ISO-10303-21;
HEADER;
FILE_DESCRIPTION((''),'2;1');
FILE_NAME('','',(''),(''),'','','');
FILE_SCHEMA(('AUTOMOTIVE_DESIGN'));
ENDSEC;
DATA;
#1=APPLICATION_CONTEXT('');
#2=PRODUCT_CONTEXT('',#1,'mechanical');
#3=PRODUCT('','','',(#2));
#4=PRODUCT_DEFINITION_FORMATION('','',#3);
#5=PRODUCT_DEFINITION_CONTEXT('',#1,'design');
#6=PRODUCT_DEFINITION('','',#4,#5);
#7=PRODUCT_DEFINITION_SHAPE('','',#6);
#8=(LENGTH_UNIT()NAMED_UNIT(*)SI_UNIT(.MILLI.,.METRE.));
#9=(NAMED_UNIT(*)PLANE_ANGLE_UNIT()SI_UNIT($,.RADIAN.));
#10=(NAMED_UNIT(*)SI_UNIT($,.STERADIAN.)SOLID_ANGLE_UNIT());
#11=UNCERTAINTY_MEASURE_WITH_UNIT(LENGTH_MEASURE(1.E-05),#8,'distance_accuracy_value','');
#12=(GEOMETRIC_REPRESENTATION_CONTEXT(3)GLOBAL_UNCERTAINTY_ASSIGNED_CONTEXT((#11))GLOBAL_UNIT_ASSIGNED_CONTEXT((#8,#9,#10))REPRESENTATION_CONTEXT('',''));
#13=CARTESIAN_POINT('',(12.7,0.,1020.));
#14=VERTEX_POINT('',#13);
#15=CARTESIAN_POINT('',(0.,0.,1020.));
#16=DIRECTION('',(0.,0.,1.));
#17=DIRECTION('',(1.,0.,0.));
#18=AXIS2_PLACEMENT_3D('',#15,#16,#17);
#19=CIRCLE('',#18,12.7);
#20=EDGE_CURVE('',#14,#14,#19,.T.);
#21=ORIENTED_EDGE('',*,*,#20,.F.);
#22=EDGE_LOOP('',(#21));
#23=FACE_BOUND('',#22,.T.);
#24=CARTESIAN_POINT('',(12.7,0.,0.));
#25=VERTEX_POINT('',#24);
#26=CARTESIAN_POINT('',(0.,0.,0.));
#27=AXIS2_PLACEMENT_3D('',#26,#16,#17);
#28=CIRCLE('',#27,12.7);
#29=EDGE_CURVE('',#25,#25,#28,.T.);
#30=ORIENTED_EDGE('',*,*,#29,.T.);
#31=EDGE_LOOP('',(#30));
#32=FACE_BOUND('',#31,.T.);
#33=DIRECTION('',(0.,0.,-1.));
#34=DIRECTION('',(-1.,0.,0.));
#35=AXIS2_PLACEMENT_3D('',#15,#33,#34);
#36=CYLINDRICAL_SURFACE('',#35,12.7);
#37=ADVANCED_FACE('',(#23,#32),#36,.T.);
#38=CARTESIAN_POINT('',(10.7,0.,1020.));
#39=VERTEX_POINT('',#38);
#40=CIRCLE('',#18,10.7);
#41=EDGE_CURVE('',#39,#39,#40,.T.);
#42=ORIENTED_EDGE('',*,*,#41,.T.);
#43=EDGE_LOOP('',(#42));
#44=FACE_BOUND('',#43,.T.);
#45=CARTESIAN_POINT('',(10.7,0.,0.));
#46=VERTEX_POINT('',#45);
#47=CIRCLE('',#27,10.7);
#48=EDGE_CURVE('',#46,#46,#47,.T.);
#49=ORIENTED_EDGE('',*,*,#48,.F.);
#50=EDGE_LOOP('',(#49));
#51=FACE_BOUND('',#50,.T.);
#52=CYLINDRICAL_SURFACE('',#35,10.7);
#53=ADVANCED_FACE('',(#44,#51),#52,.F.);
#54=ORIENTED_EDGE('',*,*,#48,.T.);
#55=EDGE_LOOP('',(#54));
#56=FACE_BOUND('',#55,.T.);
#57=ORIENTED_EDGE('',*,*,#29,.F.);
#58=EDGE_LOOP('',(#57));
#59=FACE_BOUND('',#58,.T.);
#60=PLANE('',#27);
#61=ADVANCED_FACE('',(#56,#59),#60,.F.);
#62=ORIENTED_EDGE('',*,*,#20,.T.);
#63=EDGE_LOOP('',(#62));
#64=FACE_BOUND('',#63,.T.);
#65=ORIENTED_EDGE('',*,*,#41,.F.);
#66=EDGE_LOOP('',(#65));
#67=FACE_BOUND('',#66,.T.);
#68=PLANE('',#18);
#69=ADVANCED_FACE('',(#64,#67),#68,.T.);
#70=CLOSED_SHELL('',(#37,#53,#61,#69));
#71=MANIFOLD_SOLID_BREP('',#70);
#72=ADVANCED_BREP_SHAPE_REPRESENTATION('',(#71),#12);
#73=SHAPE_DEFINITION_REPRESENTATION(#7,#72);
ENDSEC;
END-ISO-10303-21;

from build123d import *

# Parameters (mm, degrees)
CROQUIS1_R              = 12.7
CROQUIS1_R_2            = 10.7
SALIENTE_EXTRUIR1_DEPTH = 1020


with BuildPart() as part:
    # Croquis1 → Saliente-Extruir1 (new body)
    with BuildSketch(Plane.XY):
        Circle(CROQUIS1_R)
        Circle(CROQUIS1_R_2, mode=Mode.SUBTRACT)
    extrude(amount=SALIENTE_EXTRUIR1_DEPTH)


solid = part.part
